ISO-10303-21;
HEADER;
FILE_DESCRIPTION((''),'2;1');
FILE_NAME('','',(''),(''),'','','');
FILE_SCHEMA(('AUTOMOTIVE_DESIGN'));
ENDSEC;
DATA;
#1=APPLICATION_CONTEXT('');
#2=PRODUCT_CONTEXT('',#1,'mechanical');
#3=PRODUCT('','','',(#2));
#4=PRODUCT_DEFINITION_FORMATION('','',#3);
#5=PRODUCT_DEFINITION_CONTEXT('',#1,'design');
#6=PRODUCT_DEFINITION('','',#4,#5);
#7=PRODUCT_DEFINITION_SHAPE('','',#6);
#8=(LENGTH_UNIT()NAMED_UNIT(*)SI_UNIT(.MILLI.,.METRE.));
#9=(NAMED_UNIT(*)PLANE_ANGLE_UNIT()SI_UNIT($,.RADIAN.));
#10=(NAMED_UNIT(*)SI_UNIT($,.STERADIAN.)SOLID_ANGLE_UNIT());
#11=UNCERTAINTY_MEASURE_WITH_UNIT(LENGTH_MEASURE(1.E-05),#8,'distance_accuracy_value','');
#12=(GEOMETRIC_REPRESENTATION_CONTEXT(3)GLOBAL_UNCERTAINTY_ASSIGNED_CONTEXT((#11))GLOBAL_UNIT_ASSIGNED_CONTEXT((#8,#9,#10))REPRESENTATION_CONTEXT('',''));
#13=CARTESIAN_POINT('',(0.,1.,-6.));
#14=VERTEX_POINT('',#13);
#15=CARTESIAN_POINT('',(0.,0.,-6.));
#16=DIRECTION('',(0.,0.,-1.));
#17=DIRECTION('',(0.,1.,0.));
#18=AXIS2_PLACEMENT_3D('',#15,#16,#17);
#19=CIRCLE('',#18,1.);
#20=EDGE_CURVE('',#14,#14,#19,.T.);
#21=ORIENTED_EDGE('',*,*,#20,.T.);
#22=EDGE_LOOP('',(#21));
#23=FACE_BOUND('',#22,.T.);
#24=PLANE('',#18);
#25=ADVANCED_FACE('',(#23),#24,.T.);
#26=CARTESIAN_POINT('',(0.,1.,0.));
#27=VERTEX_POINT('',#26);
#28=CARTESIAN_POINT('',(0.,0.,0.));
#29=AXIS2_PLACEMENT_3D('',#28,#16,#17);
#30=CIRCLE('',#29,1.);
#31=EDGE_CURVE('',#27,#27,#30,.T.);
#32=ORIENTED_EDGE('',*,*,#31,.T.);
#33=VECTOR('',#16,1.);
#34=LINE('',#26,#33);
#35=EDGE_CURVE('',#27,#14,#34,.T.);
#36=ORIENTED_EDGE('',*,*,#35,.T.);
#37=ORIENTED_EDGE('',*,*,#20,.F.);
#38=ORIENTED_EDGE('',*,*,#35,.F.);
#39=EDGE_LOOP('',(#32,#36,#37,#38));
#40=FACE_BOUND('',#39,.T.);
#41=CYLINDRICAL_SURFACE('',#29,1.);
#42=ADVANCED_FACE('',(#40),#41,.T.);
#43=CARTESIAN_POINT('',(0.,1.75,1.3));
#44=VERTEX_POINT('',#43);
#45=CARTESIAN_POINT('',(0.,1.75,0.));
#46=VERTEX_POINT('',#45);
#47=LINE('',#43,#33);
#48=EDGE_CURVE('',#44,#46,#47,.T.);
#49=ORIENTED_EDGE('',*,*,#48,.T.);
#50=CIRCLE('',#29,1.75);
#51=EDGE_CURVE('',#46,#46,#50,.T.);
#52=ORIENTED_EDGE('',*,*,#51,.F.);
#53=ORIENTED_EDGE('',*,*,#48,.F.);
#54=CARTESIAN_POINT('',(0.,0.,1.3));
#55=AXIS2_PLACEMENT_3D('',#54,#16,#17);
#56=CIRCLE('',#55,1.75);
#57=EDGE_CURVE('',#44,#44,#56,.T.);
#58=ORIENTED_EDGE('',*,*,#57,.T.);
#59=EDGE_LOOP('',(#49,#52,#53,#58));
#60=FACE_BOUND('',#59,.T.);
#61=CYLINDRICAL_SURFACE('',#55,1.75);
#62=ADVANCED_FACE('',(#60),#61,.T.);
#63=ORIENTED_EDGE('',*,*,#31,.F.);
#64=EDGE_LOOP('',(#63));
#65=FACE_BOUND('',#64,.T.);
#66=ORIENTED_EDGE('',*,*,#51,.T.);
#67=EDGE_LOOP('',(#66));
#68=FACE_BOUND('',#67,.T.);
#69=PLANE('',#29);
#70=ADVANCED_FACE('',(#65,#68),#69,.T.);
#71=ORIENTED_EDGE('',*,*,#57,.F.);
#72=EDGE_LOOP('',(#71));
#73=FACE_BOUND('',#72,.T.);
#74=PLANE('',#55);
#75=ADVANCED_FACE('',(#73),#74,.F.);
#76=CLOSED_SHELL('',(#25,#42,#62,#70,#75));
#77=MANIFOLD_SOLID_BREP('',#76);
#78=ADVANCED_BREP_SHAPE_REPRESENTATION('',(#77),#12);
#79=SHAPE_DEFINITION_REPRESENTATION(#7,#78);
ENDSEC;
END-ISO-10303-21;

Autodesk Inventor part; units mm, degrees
ref_plane "YZ Plane" through (0, 0, 0) normal (1, 0, 0) x (0, 1, 0)
ref_plane "XZ Plane" through (0, 0, 0) normal (0, 1, 0) x (-1, 0, 0)
ref_plane "XY Plane" through (0, 0, 0) normal (0, 0, 1) x (1, 0, 0)
sketch "スケッチ2" plane through (0, 0, 0) normal (1, 0, 0) x (0, 1, 0)
  line L0 (0, 1.3) -> (1.75, 1.3)
  line L1 (1.75, 1.3) -> (1.75, 0)
  line L2 (1.75, 0) -> (1, 0)
  line L3 (1, 0) -> (1, -6)
  line L4 (1, -6) -> (0, -6)
  line L5 (0, 1.3) -> (0, -6)
  point P0 (0, 0)
  dimension "d0" = 1.3
  dimension "d1" = 6
  dimension "d2" = 1
  dimension "d3" = 1.75
revolve "回転1" add sketch "スケッチ2" angle 360 about axis through (0, 0, 1.3) along (0, 0, -1)
properties part number "ScrewM2L6"
